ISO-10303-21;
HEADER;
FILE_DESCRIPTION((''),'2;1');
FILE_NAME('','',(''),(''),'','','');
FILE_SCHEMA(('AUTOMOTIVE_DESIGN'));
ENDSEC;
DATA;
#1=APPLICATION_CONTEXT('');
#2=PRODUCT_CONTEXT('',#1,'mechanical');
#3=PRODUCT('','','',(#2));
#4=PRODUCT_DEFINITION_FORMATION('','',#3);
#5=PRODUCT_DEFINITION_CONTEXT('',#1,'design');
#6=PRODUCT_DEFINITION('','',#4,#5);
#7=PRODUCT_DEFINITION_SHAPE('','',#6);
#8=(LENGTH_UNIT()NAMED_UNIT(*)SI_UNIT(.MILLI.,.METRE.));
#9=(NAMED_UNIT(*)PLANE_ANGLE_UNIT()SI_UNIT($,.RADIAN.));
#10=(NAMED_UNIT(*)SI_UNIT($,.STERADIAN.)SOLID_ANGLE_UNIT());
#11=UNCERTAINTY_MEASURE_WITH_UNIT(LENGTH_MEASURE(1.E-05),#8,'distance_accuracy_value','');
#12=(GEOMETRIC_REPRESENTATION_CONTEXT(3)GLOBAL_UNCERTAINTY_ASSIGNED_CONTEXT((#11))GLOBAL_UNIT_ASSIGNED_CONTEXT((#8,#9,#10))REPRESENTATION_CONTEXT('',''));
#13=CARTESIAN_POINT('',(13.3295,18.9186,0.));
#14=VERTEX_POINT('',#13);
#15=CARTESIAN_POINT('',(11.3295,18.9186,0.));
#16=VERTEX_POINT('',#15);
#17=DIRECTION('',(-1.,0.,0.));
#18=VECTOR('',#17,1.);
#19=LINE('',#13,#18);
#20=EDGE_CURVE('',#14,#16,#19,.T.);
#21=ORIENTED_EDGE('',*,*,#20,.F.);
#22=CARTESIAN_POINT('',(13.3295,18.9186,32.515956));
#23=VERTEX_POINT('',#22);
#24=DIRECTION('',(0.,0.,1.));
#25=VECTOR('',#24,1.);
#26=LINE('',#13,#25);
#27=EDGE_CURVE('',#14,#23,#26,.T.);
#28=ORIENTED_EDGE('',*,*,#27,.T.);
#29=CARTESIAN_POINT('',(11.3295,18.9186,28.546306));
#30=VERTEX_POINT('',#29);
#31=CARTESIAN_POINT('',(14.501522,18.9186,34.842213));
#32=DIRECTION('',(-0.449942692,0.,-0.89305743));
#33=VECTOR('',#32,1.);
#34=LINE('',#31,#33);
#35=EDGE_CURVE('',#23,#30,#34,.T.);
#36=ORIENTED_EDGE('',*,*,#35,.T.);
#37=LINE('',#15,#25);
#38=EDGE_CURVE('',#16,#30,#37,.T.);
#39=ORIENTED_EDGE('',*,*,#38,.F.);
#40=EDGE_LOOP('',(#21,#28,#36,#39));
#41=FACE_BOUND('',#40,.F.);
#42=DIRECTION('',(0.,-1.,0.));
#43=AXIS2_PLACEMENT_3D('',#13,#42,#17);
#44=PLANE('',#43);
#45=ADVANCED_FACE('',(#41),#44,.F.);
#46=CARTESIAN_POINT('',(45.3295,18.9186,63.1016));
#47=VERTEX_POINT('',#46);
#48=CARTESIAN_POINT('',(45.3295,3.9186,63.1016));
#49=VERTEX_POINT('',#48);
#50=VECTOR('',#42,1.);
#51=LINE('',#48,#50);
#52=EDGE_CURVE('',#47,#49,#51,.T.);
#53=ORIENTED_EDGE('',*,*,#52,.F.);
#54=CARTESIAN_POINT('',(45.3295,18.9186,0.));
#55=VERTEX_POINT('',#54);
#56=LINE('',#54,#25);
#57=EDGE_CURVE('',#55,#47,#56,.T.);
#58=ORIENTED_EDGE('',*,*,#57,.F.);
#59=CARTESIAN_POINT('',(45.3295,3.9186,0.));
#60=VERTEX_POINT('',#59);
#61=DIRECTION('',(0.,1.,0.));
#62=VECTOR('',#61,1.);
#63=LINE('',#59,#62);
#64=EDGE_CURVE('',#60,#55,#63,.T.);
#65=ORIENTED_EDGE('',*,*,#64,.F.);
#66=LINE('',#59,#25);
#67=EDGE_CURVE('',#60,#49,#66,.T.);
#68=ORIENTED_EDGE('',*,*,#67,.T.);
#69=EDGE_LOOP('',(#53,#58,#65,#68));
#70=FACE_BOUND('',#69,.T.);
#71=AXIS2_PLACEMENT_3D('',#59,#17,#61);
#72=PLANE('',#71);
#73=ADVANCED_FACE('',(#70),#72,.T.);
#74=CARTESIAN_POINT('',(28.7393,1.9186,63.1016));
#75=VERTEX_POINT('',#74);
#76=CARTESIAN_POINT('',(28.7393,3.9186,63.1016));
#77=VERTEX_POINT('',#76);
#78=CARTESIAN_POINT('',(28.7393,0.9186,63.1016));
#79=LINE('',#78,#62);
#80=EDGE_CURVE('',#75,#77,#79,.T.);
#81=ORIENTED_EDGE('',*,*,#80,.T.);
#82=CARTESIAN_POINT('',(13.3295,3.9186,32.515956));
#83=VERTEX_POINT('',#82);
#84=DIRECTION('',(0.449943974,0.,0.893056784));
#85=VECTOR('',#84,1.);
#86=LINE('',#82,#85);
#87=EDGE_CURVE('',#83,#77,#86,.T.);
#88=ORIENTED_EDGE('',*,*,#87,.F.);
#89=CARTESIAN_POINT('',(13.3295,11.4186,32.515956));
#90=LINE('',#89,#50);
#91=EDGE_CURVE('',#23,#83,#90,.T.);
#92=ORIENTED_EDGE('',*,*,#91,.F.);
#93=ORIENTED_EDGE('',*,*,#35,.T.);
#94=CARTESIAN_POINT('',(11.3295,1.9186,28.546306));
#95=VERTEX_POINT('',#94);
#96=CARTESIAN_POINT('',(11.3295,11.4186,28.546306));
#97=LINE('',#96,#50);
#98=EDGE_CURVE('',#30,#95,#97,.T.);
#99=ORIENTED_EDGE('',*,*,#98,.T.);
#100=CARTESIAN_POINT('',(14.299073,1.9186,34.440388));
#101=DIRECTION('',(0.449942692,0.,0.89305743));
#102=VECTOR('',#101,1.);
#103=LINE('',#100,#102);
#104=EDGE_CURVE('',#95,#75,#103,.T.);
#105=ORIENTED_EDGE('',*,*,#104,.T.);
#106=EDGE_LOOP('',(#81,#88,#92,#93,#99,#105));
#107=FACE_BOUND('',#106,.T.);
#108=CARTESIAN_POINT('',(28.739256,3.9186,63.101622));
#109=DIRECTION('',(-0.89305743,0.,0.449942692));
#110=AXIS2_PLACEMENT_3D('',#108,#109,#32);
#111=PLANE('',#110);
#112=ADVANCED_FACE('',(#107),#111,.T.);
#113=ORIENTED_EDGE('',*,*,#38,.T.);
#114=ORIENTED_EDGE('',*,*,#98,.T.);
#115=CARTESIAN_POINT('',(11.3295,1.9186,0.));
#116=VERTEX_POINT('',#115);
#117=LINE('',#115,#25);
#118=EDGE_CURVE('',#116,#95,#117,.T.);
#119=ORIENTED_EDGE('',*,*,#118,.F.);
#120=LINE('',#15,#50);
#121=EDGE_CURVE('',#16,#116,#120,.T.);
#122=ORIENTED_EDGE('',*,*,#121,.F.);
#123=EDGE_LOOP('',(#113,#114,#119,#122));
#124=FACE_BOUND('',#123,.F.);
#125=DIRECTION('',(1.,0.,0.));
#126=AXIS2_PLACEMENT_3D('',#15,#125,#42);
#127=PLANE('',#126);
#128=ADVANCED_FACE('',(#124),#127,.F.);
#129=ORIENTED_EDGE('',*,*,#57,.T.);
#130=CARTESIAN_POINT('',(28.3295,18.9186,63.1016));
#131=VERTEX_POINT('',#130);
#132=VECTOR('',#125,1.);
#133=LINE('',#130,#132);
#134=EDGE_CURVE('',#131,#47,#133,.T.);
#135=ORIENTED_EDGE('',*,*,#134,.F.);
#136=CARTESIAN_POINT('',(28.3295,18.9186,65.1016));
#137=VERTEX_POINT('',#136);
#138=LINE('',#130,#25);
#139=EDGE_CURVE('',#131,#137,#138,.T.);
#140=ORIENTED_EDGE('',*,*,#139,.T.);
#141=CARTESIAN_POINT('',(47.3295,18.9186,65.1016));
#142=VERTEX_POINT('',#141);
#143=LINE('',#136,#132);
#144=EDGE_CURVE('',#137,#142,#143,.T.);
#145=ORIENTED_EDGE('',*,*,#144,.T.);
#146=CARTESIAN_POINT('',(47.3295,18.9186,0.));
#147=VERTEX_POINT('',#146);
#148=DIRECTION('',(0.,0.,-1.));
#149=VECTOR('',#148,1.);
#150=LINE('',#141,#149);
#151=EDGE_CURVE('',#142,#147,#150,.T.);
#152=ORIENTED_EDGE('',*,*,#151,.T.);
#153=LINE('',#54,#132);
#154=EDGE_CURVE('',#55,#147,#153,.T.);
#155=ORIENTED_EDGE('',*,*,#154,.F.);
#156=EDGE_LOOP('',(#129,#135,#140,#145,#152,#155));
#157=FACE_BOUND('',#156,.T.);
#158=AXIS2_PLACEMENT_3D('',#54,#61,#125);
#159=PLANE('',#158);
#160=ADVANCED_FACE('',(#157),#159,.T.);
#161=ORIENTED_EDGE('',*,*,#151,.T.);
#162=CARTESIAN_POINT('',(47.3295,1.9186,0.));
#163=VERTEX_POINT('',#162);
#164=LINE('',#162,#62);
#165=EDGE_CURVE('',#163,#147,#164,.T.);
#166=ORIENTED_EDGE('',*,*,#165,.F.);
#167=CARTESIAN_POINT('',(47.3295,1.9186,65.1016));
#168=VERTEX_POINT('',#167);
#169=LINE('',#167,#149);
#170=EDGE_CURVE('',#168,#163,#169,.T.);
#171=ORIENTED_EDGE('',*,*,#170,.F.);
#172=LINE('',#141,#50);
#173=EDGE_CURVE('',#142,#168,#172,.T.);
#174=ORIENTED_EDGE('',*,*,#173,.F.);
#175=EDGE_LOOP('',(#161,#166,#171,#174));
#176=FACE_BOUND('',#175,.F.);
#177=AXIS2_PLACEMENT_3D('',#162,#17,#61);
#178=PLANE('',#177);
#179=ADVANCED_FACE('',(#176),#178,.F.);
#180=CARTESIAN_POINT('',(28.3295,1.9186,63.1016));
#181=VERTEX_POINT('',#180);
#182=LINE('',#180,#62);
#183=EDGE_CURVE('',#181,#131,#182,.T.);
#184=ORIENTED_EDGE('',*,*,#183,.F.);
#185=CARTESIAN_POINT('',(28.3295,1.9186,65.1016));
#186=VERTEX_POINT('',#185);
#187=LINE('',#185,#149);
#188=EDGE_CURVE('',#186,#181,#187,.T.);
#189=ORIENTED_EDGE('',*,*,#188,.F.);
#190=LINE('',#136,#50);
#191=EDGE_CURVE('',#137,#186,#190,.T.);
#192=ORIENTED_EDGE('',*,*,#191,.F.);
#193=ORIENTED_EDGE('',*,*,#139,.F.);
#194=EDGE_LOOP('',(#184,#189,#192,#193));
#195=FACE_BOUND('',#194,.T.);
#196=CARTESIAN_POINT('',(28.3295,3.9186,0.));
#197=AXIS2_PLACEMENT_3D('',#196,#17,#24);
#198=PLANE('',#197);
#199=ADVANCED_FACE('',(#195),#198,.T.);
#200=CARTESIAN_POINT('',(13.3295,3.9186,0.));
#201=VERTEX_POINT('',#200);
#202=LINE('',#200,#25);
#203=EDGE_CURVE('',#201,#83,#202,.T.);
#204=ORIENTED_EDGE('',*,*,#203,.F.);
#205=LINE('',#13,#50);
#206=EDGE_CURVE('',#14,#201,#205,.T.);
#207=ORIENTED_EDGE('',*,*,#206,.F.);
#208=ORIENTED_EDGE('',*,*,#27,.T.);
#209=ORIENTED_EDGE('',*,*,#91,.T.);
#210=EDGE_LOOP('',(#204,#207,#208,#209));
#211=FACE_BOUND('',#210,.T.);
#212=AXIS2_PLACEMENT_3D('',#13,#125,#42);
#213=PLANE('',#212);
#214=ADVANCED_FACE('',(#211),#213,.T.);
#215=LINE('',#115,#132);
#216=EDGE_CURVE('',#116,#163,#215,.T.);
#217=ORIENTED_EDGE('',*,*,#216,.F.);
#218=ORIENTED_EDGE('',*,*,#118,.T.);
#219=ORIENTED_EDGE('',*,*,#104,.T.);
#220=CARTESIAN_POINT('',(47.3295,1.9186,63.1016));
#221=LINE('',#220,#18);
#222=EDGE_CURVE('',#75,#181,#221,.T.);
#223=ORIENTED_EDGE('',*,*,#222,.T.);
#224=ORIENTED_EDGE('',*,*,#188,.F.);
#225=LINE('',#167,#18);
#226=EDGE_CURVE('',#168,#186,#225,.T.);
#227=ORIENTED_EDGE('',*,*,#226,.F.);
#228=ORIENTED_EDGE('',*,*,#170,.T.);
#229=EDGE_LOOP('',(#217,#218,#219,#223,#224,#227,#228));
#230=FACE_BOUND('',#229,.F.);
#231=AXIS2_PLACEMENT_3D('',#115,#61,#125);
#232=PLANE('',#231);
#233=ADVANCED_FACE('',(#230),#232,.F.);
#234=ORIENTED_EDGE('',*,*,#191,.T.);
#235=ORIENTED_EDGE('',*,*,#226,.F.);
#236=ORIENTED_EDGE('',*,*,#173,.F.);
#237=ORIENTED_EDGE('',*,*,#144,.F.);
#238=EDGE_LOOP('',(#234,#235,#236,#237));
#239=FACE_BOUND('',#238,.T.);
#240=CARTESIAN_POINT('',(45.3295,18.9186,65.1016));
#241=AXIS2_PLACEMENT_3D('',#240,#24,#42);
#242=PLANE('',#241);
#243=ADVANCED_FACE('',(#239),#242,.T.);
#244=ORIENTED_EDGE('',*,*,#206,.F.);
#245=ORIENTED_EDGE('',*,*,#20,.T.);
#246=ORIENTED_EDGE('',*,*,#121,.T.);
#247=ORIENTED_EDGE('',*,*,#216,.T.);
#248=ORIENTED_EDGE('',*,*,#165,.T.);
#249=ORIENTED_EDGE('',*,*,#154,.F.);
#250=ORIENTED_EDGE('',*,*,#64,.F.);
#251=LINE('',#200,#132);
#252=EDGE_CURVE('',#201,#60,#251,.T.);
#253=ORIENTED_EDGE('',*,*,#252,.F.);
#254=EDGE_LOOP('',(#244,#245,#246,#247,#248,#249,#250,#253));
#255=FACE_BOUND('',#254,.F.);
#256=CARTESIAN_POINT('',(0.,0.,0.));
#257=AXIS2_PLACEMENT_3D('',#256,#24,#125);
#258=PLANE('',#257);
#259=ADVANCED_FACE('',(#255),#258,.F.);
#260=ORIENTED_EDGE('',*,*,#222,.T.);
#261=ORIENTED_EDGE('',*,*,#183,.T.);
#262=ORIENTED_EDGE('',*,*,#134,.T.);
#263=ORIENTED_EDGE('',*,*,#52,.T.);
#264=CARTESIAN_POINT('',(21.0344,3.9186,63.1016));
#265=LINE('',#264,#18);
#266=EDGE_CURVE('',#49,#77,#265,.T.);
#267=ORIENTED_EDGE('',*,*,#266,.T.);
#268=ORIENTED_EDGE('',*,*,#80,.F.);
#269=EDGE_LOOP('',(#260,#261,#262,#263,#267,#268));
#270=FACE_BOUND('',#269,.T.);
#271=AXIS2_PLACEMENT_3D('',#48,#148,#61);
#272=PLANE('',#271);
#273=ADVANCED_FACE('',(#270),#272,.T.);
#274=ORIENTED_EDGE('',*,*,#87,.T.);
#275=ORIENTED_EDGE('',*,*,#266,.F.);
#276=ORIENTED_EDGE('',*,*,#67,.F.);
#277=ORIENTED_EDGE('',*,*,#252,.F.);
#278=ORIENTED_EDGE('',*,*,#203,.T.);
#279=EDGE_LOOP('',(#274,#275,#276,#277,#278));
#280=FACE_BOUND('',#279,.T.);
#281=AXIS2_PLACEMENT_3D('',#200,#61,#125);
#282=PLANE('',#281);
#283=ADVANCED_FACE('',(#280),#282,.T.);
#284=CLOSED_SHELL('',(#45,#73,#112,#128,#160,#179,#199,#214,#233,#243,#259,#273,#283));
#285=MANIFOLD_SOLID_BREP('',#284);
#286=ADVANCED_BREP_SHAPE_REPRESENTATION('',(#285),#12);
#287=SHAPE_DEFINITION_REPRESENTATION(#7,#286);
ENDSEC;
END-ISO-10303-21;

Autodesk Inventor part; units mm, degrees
ref_plane "YZ Plane" through (0, 0, 0) normal (1, 0, 0) x (0, 1, 0)
ref_plane "XZ Plane" through (0, 0, 0) normal (0, 1, 0) x (-1, 0, 0)
ref_plane "XY Plane" through (0, 0, 0) normal (0, 0, 1) x (1, 0, 0)
sketch "Sketch1" plane through (0, 0, 0) normal (0, 0, 1) x (1, 0, 0)
  line L0 (13.3295, 18.9186) -> (13.3295, 3.9186)
  line L1 (13.3295, 3.9186) -> (45.3295, 3.9186)
  line L2 (45.3295, 3.9186) -> (45.3295, 18.9186)
  line L3 (11.3295, 18.9186) -> (11.3295, 1.9186)
  line L4 (11.3295, 1.9186) -> (47.3295, 1.9186)
  line L5 (47.3295, 1.9186) -> (47.3295, 18.9186)
  line L6 (13.3295, 18.9186) -> (11.3295, 18.9186)
  line L7 (45.3295, 18.9186) -> (47.3295, 18.9186)
  point P0 (0, 0)
  dimension "d0" = 15
  dimension "d1" = 32
  dimension "d2" = 2
extrude "Extrusion1" add sketch "Sketch1" along normal blind 100
sketch "Sketch2" plane through (13.3295, 3.9186, 0) normal (0, 1, 0) x (1, 0, 0)
  line L0 (34, -100) -> (32, -100) projected
  line L1 (34, -100) -> (-2.138, -28.2724)
  line L2 (34, -100) -> (114.3169, -100) construction
  line L3 (32, -100) -> (0, -100) projected
  line L4 (34, -100) -> (-2.138, -100)
  line L5 (-2.138, -100) -> (-2.138, -28.2724)
  line L6 (-2.138, -28.2724) -> (15.4098, -63.1016)
  line L7 (15.4098, -63.1016) -> (34, -63.1016)
  line L8 (34, 0) -> (34, -100) projected
  point P0 (-13.3295, 0)
  point P1 (0, -100)
  dimension "d5" = 116.74
  dimension "d6" = 63.26
  dimension "d9" = 39
extrude "Extrusion2" cut sketch "Sketch2" along normal through all both and the other way through all
sketch "Sketch3" plane through (45.3295, 3.9186, 0) normal (-1, 0, 0) x (0, 0, 1)
  line L0 (63.1016, 0) -> (63.1016, 15) projected
  line L1 (63.1016, 15) -> (65.1016, 15)
  line L2 (65.1016, 15) -> (65.1016, -2)
  line L3 (65.1016, -2) -> (63.1016, -2)
  line L4 (63.1016, -2) -> (63.1016, 15)
  point P0 (0, -3.9186)
  dimension "d10" = 2
  dimension "d11" = 17
extrude "Extrusion3" add sketch "Sketch3" along normal blind 17 and the other way blind 2
properties part number "outside2"
